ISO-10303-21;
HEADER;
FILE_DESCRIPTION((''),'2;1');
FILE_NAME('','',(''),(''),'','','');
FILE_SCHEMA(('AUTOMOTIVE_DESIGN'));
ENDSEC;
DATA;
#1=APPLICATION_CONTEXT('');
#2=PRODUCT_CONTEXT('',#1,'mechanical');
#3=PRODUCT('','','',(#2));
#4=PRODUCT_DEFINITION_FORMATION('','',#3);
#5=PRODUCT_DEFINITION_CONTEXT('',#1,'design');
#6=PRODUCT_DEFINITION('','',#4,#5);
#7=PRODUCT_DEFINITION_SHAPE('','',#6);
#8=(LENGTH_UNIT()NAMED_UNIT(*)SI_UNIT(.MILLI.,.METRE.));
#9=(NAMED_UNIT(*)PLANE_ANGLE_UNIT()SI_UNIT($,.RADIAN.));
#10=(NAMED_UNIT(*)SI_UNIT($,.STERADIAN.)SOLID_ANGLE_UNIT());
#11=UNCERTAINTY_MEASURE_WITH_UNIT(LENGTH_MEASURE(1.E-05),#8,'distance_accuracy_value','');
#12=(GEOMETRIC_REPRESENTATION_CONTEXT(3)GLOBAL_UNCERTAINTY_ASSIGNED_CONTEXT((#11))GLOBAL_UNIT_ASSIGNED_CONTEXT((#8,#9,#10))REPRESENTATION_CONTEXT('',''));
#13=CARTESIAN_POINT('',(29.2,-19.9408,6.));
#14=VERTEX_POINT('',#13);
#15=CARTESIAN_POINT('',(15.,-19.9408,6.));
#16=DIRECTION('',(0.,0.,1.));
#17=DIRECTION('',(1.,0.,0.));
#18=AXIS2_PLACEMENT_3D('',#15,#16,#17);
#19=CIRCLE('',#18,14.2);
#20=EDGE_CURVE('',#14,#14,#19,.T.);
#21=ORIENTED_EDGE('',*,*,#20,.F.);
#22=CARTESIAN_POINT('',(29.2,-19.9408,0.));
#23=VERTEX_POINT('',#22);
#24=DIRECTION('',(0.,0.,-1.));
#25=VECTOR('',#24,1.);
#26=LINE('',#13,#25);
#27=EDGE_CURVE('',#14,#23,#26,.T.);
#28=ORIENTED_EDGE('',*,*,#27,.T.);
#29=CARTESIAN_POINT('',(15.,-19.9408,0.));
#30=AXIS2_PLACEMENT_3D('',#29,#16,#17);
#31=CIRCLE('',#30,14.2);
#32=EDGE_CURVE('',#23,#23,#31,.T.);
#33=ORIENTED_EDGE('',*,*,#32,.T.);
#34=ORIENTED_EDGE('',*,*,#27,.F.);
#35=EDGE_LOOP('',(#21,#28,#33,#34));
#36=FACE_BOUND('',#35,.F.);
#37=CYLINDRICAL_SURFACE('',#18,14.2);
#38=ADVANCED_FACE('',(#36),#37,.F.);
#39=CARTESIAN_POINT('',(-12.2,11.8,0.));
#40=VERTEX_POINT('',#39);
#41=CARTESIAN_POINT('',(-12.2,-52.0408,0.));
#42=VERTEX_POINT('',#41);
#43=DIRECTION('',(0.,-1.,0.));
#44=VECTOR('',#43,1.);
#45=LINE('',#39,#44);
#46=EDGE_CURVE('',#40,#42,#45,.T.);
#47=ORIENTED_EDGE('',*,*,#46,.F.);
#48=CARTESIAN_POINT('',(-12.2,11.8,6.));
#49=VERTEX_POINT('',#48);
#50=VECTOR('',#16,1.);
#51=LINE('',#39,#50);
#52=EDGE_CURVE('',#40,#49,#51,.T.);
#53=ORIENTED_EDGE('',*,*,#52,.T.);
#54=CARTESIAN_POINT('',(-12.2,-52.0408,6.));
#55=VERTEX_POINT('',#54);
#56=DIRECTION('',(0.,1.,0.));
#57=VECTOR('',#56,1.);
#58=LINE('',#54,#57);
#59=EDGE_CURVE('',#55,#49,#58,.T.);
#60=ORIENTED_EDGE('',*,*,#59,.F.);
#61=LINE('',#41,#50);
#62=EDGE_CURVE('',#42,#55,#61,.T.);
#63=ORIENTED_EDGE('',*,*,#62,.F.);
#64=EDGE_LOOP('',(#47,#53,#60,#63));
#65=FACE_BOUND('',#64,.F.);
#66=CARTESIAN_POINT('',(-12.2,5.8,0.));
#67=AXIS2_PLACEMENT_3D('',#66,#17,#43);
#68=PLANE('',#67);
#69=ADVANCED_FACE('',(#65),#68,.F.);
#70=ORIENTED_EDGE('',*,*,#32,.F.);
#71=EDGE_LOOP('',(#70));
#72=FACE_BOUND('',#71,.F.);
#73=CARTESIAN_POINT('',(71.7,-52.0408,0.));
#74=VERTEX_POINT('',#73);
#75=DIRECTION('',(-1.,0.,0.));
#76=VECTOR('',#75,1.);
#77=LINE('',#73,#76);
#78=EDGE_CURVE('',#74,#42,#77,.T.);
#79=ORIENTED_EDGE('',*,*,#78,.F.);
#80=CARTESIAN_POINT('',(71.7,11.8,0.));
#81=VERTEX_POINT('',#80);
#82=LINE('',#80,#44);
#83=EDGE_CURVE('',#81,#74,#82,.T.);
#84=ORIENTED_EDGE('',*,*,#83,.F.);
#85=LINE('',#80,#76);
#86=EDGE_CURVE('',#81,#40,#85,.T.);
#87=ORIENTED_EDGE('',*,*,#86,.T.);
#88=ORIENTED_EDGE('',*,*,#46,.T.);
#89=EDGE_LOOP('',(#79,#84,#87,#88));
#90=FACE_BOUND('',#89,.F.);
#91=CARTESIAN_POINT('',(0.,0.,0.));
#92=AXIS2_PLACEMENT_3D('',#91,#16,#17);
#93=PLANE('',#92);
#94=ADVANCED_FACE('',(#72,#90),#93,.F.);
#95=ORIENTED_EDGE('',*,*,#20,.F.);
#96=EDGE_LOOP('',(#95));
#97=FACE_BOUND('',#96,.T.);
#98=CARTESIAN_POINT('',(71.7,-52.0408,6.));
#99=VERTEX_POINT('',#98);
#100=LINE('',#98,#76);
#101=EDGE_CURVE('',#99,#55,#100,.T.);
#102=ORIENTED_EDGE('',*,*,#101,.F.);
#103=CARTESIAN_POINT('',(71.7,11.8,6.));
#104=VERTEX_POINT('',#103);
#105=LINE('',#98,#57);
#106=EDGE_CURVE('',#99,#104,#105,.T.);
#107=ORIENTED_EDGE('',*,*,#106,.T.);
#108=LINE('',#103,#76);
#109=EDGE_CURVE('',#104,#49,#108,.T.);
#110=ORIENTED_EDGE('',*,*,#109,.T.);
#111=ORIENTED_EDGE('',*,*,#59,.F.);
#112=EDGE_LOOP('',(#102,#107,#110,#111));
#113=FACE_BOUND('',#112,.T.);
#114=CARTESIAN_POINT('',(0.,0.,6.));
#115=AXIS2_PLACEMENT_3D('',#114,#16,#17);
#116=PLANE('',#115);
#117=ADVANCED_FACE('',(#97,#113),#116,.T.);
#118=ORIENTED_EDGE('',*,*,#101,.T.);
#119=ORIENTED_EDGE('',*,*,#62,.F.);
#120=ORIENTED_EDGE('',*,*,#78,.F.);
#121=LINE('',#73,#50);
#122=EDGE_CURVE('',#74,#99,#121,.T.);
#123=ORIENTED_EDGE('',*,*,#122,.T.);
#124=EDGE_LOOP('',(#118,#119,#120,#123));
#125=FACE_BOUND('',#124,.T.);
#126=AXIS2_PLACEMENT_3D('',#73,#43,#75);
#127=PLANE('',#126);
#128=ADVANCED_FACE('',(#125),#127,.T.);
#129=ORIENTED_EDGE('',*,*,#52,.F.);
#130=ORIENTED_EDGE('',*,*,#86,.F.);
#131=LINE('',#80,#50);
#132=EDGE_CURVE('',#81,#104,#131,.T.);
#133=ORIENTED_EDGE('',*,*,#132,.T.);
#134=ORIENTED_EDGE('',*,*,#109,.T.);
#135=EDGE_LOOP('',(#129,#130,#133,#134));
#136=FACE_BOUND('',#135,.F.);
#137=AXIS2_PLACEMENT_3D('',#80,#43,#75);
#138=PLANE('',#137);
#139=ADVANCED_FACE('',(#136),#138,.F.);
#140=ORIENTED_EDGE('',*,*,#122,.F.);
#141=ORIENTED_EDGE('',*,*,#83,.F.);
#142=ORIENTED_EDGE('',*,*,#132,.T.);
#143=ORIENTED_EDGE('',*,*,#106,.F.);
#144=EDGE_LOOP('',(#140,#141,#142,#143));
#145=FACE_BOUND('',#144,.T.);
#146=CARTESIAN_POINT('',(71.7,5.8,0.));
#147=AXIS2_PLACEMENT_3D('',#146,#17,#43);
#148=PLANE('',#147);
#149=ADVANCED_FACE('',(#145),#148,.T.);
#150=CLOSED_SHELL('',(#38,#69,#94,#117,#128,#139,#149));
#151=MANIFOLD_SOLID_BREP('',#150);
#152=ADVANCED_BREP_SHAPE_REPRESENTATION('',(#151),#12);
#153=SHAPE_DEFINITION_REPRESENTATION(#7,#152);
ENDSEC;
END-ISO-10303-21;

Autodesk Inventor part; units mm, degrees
ref_plane "YZ Plane" through (0, 0, 0) normal (1, 0, 0) x (0, 1, 0)
ref_plane "XZ Plane" through (0, 0, 0) normal (0, 1, 0) x (-1, 0, 0)
ref_plane "XY Plane" through (0, 0, 0) normal (0, 0, 1) x (1, 0, 0)
sketch "스케치1" plane through (0, 0, 0) normal (0, 0, 1) x (1, 0, 0)
  line L0 (-12.2, 0) -> (71.7, 0) projected
  line L1 (71.7, 5.8) -> (71.7, 0) projected
  line L2 (-12.2, 5.8) -> (71.7, 5.8) projected
  line L3 (-12.2, 5.8) -> (-12.2, 0) projected
  line L4 (-12.2, 5.8) -> (71.7, 5.8)
  line L5 (71.7, 5.8) -> (71.7, 11.8)
  line L6 (71.7, 11.8) -> (-12.2, 11.8)
  line L7 (-12.2, 11.8) -> (-12.2, 5.8)
  line L8 (-12.2, -46.0408) -> (71.7, -46.0408) projected
  line L9 (71.7, -40.2408) -> (71.7, -46.0408) projected
  line L10 (-12.2, -40.2408) -> (71.7, -40.2408) projected
  line L11 (-12.2, -40.2408) -> (-12.2, -46.0408) projected
  line L12 (-12.2, -46.0408) -> (71.7, -46.0408)
  line L13 (71.7, -46.0408) -> (71.7, -52.0408)
  line L14 (71.7, -52.0408) -> (-12.2, -52.0408)
  line L15 (-12.2, -52.0408) -> (-12.2, -46.0408)
  line L16 (-12.2, 0) -> (71.7, 0)
  line L17 (71.7, 0) -> (71.7, -40.2408)
  line L18 (71.7, -40.2408) -> (-12.2, -40.2408)
  line L19 (-12.2, -40.2408) -> (-12.2, 0)
  point P0 (0, 0)
  dimension "d0" = 6
  dimension "d3" = 6
extrude "돌출1" add sketch "스케치1" along normal blind 6
sketch "스케치2" plane through (0, 0, 6) normal (0, 0, 1) x (1, 0, 0)
  circle A0 centre (15, -19.9408) radius 14.2
  point P0 (0, 0)
extrude "돌출2" cut sketch "스케치2" against normal blind 6
properties part number "부품72"
